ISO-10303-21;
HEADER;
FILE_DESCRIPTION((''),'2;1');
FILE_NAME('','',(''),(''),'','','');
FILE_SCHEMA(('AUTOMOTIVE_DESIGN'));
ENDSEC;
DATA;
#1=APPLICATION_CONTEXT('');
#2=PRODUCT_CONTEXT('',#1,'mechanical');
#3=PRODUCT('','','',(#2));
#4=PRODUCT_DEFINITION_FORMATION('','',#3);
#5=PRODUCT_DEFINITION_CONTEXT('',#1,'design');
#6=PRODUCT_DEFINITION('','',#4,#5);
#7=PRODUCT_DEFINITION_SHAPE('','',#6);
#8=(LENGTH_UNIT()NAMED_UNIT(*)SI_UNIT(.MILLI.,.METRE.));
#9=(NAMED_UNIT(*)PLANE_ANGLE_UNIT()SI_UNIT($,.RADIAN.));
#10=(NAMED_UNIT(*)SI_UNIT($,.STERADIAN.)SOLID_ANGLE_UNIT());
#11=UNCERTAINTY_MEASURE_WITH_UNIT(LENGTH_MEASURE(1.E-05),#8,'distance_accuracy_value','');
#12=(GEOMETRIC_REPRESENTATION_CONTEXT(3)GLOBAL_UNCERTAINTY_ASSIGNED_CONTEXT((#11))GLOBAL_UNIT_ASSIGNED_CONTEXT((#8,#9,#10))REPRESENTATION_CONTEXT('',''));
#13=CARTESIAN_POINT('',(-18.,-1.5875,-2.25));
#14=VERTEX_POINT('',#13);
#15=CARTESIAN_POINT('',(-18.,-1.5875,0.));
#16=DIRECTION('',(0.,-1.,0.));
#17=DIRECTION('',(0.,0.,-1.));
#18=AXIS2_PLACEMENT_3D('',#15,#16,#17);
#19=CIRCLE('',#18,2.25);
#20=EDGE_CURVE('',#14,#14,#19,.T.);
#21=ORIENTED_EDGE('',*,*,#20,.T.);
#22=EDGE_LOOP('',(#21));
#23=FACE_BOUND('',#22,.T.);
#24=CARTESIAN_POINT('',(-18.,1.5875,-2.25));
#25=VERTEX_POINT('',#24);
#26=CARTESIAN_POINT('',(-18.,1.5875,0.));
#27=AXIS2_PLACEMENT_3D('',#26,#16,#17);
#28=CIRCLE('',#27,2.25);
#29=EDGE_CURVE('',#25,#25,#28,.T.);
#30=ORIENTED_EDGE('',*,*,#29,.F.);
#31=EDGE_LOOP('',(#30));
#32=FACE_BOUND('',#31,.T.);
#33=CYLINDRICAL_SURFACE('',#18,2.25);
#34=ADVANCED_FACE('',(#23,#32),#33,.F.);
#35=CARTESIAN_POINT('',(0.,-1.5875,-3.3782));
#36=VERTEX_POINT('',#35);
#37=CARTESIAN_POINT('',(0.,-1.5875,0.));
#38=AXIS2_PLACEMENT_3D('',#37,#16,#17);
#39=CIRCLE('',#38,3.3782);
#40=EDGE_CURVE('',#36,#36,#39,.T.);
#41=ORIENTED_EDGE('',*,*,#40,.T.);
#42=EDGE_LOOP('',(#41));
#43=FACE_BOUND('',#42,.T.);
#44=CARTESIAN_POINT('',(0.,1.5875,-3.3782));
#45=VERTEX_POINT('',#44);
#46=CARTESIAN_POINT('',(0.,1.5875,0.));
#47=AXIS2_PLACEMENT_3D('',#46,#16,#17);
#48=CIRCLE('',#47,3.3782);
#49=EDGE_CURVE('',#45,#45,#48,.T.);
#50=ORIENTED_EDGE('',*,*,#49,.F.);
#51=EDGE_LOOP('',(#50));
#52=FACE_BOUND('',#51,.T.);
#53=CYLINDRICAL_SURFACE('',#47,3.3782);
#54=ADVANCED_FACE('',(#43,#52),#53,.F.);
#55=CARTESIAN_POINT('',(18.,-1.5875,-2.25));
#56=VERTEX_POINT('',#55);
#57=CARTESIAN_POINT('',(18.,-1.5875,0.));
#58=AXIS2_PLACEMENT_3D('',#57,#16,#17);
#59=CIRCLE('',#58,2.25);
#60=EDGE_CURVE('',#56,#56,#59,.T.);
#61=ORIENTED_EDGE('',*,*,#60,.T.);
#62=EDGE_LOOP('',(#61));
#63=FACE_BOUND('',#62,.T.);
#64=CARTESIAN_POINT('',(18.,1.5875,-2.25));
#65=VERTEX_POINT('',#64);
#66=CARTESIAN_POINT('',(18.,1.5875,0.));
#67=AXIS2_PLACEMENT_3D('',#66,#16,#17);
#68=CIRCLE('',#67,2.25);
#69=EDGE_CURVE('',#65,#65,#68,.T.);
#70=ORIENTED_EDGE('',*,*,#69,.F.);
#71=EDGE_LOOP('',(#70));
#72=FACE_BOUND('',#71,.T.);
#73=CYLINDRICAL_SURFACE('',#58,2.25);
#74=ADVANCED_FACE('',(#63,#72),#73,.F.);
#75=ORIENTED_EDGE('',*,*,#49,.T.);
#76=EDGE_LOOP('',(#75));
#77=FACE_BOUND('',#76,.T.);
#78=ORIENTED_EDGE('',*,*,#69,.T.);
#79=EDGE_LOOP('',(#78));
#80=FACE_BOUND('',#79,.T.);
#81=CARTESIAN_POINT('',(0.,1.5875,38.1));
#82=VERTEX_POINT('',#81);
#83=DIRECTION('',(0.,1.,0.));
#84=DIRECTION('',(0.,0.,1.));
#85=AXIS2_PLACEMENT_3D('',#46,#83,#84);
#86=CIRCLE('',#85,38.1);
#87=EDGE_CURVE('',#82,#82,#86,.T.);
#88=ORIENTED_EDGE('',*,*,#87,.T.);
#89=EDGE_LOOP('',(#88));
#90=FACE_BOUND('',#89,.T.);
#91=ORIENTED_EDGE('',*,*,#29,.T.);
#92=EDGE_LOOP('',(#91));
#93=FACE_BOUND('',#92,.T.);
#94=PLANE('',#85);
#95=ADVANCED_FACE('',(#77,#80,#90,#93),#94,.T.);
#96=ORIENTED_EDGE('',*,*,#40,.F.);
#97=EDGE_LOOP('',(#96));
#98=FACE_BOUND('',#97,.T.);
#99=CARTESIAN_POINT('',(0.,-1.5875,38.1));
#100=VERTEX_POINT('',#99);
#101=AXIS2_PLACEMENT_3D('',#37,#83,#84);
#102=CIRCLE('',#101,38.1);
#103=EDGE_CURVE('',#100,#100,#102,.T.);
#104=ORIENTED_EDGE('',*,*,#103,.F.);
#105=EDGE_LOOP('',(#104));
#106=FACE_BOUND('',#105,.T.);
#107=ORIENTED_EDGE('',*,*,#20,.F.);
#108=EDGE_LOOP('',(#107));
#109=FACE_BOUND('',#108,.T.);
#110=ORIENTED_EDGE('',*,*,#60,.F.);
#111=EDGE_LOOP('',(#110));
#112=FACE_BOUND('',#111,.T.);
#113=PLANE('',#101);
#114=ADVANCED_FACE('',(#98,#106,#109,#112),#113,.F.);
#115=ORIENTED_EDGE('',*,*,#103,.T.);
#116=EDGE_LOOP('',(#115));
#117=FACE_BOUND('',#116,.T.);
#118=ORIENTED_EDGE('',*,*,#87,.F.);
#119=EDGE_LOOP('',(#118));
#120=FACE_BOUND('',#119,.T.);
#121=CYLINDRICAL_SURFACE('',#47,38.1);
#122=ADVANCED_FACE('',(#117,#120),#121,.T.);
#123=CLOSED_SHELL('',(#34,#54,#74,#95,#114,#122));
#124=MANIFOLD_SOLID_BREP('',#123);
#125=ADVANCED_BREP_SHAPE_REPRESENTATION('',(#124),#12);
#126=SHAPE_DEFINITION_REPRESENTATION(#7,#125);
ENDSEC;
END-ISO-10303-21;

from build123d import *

# Parameters (mm, degrees)
SKETCH1_R            = 38.1
BOSS_EXTRUDE1_DEPTH  = 1.5875
M4_CLEARANCE_HOLE1_D = 4.5
SKETCH4_R            = 3.3782
CUT_EXTRUDE1_DEPTH   = 4.175


with BuildPart() as part:
    # Sketch1 → Boss-Extrude1 (new body, symmetric)
    with BuildSketch(Plane(origin=(0, 0, 0), x_dir=(1, 0, 0), z_dir=(0, 1, 0))):
        Circle(SKETCH1_R)
    extrude(amount=BOSS_EXTRUDE1_DEPTH, both=True)

    # M4 Clearance Hole1 (through all)
    with Locations(Plane(origin=(0, -1.5875, 0), x_dir=(-1, 0, 0), z_dir=(0, -1, 0))):
        with Locations((-18, 0), (18, 0)):
            Hole(M4_CLEARANCE_HOLE1_D / 2)

    # Sketch4 → Cut-Extrude1 (cut, through all)
    with BuildSketch(Plane.XZ.offset(1.5875)):
        Circle(SKETCH4_R)
    extrude(amount=-CUT_EXTRUDE1_DEPTH, mode=Mode.SUBTRACT)


solid = part.part
